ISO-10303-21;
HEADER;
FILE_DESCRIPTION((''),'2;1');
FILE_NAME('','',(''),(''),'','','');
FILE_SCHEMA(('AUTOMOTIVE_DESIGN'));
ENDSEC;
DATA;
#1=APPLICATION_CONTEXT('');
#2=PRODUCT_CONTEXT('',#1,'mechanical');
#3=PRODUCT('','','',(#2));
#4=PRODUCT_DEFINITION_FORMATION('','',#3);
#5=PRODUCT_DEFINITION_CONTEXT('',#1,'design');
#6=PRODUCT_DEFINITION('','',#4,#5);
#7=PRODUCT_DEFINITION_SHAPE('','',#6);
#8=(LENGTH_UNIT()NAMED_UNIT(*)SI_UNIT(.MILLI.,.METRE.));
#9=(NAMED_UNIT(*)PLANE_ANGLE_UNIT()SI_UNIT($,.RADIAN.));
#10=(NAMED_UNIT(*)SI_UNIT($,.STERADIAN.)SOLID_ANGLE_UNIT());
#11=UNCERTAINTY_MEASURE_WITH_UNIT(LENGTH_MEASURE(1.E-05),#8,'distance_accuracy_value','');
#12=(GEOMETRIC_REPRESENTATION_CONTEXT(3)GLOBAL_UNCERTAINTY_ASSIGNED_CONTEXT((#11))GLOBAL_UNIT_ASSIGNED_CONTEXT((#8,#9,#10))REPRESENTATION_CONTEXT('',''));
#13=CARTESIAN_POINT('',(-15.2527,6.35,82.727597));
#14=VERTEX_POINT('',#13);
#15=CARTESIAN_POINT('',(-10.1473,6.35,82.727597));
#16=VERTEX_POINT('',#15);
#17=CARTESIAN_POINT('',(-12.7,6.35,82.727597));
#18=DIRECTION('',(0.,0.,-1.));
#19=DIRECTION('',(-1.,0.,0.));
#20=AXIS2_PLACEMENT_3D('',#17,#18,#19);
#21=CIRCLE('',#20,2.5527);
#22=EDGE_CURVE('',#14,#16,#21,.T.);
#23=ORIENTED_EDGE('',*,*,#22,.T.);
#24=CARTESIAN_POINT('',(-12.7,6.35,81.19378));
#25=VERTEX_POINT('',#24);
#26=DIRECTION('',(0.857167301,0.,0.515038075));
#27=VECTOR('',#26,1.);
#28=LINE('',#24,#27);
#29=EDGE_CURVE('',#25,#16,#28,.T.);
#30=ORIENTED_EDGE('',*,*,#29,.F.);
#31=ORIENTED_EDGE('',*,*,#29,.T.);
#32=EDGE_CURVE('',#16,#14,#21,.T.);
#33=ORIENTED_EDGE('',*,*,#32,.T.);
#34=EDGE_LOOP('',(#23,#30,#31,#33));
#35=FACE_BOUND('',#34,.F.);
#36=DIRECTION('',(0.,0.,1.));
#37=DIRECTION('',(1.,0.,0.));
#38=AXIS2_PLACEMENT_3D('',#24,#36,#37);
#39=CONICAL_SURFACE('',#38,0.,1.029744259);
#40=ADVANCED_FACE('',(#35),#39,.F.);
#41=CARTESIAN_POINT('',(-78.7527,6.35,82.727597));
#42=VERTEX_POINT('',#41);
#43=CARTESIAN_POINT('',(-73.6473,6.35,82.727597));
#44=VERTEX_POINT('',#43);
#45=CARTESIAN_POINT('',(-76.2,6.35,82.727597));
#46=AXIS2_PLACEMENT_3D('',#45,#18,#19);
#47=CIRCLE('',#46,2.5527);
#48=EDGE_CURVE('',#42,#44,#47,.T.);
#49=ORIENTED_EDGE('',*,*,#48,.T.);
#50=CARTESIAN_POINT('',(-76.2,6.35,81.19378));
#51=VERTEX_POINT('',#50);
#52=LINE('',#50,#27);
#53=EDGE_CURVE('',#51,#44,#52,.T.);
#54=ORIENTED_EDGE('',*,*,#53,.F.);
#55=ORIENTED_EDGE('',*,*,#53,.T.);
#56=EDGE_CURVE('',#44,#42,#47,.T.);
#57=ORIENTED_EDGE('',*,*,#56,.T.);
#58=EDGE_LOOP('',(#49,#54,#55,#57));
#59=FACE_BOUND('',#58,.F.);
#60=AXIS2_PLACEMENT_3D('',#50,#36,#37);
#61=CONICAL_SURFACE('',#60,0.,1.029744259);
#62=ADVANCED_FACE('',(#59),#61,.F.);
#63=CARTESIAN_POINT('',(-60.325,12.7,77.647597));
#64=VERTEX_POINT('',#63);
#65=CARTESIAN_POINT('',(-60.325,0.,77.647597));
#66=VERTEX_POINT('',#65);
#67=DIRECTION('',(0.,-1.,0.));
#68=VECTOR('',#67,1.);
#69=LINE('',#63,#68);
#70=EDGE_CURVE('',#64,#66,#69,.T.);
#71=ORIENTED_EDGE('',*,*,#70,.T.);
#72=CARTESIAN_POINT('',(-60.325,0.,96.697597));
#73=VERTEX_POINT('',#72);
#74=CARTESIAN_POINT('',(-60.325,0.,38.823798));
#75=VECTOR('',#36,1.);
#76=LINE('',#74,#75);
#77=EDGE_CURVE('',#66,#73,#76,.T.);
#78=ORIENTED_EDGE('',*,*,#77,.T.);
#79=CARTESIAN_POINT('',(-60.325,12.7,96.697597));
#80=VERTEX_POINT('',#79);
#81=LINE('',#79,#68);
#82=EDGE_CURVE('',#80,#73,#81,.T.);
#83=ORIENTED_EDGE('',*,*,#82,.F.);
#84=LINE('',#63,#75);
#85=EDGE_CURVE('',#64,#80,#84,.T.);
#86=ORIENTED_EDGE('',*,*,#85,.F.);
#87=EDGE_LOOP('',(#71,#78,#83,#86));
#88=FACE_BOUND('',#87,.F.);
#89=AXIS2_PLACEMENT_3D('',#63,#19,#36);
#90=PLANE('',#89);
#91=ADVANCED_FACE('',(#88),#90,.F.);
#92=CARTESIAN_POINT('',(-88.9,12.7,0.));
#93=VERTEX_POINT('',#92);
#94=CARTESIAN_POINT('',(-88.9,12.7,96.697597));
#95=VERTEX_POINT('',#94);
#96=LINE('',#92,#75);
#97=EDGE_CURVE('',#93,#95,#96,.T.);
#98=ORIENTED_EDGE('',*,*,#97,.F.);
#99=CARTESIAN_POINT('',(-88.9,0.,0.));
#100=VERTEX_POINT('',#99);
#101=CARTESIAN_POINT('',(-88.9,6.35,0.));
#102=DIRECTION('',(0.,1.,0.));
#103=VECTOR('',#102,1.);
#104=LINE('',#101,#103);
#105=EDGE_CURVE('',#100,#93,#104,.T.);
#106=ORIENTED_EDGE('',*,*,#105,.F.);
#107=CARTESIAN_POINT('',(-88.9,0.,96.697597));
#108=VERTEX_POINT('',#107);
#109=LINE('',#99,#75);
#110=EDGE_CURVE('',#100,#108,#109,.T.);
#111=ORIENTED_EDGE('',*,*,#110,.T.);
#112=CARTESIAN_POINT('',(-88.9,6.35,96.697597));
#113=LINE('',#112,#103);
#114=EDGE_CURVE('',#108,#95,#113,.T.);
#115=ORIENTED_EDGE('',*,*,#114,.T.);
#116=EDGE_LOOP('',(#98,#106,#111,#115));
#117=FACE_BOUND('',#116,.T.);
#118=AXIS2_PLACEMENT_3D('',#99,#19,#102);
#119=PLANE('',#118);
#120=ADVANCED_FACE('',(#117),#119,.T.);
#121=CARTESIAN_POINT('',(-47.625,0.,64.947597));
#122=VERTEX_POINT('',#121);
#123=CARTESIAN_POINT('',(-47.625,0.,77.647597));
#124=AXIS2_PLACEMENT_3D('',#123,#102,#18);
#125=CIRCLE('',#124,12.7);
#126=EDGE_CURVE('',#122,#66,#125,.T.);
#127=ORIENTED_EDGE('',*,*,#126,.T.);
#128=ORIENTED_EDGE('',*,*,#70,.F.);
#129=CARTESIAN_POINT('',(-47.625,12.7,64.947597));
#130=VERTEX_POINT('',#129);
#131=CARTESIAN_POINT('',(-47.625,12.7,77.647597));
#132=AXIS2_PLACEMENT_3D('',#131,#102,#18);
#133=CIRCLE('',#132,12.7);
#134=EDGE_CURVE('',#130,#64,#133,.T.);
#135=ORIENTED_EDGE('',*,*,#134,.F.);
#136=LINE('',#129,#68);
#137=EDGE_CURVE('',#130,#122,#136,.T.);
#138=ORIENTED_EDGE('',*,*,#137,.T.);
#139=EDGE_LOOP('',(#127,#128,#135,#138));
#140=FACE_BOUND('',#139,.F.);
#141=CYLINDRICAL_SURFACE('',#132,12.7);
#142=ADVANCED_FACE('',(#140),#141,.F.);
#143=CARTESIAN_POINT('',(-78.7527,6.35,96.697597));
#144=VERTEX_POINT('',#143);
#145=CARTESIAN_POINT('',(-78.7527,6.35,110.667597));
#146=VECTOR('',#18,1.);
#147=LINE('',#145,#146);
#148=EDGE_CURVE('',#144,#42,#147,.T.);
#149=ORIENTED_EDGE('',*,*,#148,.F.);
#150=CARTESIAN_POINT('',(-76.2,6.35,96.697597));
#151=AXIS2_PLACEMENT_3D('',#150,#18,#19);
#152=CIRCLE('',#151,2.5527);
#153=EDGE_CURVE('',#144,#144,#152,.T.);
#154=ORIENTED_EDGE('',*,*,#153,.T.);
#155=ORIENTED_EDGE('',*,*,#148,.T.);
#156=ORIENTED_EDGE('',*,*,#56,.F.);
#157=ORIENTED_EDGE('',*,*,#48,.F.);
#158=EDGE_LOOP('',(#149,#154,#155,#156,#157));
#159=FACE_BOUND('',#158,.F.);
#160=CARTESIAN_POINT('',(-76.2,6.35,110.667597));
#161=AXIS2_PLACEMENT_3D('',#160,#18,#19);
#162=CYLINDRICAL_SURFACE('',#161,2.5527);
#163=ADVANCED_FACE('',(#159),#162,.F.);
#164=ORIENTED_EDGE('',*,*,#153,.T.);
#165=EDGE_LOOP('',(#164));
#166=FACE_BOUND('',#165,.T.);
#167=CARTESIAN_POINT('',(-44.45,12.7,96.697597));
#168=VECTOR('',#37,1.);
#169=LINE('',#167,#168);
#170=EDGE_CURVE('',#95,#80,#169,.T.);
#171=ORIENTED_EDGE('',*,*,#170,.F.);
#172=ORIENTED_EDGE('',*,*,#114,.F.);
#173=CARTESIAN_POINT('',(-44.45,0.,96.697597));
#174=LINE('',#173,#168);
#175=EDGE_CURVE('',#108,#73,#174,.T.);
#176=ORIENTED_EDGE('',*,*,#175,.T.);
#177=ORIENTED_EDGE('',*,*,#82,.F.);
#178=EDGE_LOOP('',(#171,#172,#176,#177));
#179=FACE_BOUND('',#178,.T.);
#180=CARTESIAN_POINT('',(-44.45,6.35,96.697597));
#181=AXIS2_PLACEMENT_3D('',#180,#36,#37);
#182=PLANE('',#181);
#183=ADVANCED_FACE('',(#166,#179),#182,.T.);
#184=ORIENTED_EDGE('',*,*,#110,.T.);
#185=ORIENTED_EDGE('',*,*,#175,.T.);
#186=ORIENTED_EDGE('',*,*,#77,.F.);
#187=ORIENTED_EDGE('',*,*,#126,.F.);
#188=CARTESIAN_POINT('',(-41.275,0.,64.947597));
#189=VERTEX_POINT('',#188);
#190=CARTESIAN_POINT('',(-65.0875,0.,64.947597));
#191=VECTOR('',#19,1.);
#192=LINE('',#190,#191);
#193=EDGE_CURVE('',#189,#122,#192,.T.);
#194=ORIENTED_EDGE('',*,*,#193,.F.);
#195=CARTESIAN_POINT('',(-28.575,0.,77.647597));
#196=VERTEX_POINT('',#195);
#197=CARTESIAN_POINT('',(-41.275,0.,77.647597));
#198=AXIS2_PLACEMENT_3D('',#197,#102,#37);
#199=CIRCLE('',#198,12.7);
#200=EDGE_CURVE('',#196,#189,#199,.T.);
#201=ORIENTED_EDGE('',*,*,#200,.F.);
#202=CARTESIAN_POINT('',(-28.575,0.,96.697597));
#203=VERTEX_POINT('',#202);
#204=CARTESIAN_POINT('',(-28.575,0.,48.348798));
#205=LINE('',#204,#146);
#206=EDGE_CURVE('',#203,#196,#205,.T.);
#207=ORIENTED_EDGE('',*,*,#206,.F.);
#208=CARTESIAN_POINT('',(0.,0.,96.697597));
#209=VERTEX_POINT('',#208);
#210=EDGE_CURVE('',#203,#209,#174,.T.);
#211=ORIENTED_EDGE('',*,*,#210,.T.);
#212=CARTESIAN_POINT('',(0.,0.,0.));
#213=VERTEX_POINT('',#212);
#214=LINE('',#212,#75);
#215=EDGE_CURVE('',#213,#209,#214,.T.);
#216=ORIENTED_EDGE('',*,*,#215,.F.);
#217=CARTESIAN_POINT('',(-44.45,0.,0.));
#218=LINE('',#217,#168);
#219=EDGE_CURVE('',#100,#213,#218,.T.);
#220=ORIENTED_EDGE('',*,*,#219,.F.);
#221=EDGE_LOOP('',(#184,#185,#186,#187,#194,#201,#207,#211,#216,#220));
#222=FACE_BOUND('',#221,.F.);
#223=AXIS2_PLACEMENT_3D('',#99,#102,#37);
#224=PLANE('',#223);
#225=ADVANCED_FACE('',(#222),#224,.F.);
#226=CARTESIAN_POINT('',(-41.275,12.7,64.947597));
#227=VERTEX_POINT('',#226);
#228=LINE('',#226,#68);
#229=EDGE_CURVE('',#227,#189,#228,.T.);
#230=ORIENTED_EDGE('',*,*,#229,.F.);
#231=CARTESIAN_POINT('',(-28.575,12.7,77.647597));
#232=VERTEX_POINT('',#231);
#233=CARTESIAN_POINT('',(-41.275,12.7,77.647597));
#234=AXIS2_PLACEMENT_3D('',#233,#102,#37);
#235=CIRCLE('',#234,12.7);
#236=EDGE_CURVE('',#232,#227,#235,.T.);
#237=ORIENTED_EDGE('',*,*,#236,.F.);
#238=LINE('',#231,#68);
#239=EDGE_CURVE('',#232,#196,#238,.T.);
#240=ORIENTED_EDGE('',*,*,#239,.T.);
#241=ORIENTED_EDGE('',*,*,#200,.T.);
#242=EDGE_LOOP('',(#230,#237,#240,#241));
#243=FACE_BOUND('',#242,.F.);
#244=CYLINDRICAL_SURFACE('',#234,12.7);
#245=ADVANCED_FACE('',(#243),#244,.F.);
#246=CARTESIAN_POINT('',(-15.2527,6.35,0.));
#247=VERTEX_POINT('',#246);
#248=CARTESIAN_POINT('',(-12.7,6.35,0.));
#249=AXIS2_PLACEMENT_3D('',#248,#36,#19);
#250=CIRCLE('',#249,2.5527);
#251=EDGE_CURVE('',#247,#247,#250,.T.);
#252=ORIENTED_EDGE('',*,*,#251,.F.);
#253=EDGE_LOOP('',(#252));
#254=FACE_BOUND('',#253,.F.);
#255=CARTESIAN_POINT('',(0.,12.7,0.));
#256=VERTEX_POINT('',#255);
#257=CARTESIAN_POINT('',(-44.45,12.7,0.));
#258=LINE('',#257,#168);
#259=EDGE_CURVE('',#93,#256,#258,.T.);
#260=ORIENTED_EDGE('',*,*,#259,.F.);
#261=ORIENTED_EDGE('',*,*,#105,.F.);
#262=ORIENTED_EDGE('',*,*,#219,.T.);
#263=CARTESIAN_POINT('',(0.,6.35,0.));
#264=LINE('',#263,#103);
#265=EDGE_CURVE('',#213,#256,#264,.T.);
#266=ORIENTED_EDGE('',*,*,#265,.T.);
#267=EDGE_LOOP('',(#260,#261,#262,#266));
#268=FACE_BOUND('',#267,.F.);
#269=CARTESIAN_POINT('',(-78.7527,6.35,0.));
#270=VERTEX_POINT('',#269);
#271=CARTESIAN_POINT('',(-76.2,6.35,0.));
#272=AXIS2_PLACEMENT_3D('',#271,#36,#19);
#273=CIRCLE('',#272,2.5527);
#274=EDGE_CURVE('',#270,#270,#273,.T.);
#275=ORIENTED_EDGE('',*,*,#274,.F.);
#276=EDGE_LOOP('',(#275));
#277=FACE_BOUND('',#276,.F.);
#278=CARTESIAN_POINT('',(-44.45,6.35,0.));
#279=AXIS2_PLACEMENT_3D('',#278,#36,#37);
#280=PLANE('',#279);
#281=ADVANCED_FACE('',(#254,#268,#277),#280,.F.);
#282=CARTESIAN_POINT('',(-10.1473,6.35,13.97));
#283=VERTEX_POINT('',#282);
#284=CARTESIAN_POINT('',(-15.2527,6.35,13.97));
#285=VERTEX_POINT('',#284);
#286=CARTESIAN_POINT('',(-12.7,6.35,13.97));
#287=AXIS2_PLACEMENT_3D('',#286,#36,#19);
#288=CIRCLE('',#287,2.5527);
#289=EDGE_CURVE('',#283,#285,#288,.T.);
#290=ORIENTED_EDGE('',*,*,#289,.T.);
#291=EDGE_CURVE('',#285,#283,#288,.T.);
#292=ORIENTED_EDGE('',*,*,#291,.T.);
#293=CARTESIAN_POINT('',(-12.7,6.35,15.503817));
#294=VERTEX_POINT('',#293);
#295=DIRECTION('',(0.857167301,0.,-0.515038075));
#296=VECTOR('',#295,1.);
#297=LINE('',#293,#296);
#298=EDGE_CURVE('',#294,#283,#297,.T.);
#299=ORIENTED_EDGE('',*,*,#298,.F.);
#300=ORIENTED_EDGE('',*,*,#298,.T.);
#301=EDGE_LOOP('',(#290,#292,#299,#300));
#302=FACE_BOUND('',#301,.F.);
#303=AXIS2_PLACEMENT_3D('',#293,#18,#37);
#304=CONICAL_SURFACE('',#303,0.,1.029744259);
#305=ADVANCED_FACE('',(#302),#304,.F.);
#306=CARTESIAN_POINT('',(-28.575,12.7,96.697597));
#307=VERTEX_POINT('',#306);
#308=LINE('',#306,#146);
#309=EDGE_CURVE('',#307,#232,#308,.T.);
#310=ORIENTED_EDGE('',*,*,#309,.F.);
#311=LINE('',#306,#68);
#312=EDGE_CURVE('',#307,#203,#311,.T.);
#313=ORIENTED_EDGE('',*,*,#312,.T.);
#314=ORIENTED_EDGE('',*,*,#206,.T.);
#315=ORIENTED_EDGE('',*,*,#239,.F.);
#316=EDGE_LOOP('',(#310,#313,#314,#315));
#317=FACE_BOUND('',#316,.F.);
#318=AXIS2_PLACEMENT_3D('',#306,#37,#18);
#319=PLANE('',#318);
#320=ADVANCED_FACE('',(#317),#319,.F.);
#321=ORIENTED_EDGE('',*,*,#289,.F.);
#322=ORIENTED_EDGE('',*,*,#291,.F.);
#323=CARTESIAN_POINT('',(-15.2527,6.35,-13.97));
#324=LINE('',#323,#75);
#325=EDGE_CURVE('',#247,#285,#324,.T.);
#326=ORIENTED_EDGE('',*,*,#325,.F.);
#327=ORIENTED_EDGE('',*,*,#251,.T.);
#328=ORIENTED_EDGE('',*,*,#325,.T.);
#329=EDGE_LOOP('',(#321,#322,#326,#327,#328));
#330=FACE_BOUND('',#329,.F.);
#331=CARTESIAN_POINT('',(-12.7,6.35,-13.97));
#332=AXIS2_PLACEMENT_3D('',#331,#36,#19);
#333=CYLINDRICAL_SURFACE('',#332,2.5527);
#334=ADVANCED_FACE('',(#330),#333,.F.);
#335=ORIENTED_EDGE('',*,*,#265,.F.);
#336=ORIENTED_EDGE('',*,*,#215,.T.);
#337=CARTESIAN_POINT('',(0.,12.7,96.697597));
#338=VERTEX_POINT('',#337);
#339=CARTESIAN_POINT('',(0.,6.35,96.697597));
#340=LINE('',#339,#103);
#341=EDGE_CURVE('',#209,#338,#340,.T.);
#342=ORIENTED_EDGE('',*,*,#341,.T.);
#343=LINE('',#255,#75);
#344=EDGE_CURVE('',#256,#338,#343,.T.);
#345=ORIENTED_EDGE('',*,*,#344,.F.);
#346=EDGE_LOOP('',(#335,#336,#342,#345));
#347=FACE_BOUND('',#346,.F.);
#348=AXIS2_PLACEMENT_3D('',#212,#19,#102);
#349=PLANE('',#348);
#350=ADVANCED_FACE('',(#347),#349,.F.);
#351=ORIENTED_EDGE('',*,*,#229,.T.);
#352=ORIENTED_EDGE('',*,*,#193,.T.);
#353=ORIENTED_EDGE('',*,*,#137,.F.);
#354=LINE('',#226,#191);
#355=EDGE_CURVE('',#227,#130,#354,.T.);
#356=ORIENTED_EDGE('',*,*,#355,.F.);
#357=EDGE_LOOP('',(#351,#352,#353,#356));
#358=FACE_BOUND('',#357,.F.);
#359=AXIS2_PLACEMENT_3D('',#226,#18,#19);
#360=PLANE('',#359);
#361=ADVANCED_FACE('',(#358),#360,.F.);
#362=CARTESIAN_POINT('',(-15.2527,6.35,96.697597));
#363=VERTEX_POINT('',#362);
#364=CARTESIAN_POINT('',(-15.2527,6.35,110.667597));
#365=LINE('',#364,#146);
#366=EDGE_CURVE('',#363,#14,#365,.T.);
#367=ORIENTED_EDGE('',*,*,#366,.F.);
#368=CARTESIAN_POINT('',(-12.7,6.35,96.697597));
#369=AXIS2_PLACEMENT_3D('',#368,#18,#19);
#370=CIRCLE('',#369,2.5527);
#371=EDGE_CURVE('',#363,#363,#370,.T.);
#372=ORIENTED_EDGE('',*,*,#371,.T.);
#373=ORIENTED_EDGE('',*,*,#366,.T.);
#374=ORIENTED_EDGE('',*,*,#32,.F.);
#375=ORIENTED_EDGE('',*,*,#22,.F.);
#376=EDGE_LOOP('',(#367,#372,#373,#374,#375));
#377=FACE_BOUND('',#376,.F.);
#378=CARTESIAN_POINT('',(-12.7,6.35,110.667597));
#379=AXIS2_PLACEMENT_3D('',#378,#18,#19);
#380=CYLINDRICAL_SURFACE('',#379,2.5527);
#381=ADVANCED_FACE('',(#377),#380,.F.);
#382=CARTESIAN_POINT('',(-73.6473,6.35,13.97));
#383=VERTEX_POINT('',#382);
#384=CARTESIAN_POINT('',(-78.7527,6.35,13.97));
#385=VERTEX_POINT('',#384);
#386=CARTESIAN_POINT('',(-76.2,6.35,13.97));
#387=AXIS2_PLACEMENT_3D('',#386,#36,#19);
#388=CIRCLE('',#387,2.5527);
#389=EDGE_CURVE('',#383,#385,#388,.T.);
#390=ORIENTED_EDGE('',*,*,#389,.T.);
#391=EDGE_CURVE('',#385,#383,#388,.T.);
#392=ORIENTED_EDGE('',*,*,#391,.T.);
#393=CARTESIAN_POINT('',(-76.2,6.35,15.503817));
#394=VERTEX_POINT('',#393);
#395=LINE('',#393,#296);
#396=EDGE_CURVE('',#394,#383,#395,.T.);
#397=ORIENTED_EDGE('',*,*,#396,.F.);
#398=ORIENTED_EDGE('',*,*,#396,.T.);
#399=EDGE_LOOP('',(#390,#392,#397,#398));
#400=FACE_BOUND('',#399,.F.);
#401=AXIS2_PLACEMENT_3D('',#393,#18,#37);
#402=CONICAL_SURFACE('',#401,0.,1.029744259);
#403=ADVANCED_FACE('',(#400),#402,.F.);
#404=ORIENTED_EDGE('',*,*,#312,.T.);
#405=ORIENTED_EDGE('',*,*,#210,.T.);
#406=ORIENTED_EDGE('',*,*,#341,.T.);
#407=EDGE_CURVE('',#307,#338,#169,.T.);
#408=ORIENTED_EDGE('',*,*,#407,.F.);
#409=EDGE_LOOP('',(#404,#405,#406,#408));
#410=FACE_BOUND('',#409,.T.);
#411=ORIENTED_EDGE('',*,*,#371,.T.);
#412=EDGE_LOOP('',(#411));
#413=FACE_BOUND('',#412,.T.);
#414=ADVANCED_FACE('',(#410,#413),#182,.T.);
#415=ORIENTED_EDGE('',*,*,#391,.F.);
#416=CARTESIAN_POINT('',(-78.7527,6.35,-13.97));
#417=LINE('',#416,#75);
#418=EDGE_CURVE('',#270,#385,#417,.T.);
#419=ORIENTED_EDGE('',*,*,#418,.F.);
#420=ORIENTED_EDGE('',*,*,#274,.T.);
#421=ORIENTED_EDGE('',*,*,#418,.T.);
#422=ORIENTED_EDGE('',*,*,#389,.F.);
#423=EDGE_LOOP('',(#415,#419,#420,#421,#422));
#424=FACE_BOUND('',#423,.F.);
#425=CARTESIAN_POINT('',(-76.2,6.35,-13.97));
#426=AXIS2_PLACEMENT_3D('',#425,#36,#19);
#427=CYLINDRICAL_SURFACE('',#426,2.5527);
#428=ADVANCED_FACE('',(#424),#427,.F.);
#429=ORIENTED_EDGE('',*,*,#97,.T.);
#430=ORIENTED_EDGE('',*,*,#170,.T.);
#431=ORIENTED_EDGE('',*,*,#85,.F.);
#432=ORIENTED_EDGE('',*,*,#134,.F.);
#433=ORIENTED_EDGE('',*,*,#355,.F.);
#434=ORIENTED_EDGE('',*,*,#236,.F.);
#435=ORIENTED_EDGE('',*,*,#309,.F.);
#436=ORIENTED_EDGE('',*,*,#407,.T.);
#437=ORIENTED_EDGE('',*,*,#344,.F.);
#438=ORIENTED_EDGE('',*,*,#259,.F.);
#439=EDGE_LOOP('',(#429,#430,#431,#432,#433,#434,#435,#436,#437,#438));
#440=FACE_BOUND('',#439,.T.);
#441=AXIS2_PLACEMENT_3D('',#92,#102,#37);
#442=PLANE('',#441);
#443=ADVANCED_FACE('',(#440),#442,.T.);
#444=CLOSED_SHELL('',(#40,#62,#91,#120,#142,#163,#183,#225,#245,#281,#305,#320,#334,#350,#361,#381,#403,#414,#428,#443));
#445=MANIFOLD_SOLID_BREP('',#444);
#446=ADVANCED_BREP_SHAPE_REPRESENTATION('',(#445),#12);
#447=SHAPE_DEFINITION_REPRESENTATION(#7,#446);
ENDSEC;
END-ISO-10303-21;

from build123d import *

# Parameters (mm, degrees)
F0_W     = 88.9
F0_H     = 12.7
F1_DEPTH = 96.6975968
F3_D     = 5.1054
F3_DEPTH = 13.97
F3_TIP   = 1.5338169022
F5_D     = 5.1054
F5_DEPTH = 13.97
F5_TIP   = 1.5338169022
F7_DEPTH = 25.4


with BuildPart() as f1:
    # F0 (on Top) → F1 (new body)
    with BuildSketch(Plane.XY):
        with Locations((-44.45, 6.35)):
            Rectangle(F0_W, F0_H)
    extrude(amount=F1_DEPTH)

    # F3
    with Locations(Plane.XY.offset(96.6975968)):
        with Locations((-76.2, 6.35), (-12.7, 6.35)):
            Hole(F3_D / 2, depth=F3_DEPTH)
            with Locations((0, 0, -(F3_DEPTH + F3_TIP / 2))):  # 118° drill point
                Cone(0, F3_D / 2, F3_TIP, mode=Mode.SUBTRACT)

    # F5
    with Locations(Plane(origin=(0, 0, 0), x_dir=(1, 0, 0), z_dir=(0, 0, -1))):
        with Locations((-76.2, -6.35), (-12.7, -6.35)):
            Hole(F5_D / 2, depth=F5_DEPTH)
            with Locations((0, 0, -(F5_DEPTH + F5_TIP / 2))):  # 118° drill point
                Cone(0, F5_D / 2, F5_TIP, mode=Mode.SUBTRACT)

    # F6 (on face) → F7 (cut)
    with BuildSketch(Plane(origin=(0, 12.7, 0), x_dir=(-1, 0, 0), z_dir=(0, 1, 0))):
        with BuildLine():
            Line((60.325, 77.6475968), (60.325, 96.6975968))
            Line((60.325, 96.6975968), (28.575, 96.6975968))
            Line((28.575, 96.6975968), (28.575, 77.6475968))
            ThreePointArc((28.575, 77.6475968), (32.2947438789, 68.6673406789), (41.275, 64.9475968))
            Line((41.275, 64.9475968), (47.625, 64.9475968))
            ThreePointArc((47.625, 64.9475968), (56.6052561211, 68.6673406789), (60.325, 77.6475968))
        make_face()
    extrude(amount=-F7_DEPTH, mode=Mode.SUBTRACT)


solid = f1.part
